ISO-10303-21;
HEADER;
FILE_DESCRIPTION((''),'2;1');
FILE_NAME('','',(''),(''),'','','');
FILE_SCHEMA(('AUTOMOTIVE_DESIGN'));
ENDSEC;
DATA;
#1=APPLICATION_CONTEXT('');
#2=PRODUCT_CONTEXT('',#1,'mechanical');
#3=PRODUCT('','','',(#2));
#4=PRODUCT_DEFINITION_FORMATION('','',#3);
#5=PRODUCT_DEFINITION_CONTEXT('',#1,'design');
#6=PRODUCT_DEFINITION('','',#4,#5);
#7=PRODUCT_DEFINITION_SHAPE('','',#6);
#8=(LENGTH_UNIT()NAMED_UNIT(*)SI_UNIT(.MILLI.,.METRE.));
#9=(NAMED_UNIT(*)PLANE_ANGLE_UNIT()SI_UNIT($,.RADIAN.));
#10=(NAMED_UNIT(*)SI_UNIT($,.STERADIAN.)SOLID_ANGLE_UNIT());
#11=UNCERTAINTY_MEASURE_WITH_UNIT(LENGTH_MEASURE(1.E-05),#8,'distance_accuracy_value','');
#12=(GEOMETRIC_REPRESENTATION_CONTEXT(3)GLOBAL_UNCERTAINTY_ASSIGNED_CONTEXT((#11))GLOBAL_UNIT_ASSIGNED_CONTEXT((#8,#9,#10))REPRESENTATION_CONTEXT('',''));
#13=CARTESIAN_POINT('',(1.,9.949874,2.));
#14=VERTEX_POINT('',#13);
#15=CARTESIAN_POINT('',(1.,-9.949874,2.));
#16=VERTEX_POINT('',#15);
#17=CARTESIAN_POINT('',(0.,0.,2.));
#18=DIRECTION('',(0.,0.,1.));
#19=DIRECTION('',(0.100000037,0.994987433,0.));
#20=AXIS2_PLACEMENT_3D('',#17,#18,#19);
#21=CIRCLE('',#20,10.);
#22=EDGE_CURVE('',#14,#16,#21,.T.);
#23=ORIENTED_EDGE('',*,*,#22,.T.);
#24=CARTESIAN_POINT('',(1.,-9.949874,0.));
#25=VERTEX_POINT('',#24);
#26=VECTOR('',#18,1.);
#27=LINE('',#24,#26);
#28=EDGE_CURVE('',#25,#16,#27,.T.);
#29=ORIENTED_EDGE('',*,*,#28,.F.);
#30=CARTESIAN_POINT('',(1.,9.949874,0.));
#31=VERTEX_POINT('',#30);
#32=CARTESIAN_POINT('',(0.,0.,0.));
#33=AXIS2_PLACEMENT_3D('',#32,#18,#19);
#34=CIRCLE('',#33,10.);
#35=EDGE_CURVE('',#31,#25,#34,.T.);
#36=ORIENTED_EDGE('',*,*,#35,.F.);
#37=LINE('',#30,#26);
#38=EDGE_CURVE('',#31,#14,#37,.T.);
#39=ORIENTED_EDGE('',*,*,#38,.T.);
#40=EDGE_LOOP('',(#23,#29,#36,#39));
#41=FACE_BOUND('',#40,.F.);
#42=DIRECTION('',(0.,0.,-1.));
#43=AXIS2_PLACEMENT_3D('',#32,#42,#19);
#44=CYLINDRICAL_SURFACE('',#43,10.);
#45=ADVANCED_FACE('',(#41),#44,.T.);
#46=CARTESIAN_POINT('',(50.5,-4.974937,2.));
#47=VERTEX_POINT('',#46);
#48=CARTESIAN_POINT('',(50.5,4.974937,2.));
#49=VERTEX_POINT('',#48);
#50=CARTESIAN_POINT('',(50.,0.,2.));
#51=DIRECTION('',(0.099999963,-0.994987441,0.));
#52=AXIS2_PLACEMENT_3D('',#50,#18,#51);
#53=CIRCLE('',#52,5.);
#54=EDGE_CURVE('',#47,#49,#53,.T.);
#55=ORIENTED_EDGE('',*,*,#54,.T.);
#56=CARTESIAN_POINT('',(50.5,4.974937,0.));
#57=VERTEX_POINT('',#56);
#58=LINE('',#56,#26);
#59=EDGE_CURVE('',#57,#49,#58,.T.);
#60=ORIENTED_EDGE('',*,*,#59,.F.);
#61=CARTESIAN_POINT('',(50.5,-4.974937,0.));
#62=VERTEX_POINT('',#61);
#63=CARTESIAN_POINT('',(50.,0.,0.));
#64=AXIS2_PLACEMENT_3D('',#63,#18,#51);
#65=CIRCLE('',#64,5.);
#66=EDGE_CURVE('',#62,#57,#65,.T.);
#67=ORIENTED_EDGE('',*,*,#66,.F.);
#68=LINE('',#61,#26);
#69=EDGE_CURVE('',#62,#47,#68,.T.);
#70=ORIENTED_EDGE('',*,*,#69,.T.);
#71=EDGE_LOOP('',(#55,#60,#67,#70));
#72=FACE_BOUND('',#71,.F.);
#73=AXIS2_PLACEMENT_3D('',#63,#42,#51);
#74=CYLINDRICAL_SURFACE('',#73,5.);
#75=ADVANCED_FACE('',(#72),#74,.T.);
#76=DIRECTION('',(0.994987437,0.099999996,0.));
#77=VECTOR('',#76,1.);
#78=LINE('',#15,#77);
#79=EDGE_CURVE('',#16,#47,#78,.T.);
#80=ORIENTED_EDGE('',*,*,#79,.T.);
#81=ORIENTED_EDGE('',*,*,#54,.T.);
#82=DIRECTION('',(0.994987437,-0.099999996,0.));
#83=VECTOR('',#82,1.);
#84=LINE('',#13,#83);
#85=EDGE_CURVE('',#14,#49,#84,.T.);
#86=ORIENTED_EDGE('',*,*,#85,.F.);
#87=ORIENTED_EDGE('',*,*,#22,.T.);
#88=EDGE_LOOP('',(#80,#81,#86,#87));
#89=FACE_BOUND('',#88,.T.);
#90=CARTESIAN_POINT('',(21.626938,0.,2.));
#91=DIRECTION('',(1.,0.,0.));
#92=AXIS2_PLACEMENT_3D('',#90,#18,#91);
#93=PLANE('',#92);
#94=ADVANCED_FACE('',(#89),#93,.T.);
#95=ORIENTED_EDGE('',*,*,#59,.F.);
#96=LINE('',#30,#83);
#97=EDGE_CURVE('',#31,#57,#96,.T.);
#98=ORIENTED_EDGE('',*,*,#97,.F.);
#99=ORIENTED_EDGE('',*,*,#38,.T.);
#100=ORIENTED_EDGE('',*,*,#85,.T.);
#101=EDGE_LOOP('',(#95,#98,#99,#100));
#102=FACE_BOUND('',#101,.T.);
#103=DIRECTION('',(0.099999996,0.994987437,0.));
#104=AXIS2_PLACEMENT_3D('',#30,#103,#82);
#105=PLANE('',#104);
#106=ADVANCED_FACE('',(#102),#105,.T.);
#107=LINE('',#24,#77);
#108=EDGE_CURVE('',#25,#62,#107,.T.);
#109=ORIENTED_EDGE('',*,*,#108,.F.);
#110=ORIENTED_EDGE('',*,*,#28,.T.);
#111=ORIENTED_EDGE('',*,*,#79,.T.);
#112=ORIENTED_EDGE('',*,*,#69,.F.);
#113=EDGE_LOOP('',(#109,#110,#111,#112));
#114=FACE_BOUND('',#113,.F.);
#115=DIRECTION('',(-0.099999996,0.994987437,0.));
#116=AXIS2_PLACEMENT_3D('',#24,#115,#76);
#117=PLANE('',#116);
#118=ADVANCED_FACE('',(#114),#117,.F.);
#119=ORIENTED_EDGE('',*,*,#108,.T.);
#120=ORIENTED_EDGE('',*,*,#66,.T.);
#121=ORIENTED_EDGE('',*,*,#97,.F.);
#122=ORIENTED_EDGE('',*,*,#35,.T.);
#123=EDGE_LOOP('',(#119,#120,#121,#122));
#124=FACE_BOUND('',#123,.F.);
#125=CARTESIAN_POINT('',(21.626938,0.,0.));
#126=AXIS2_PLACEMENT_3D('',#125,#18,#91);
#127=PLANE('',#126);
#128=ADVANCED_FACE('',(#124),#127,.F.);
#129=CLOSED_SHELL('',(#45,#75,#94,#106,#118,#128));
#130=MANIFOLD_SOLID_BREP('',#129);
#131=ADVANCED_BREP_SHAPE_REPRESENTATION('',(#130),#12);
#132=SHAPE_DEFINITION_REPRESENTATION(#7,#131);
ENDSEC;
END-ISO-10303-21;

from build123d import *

# Parameters (mm, degrees)
PAD_DEPTH = 2


with BuildPart() as part:
    # Sketch → Pad (new body)
    with BuildSketch(Plane.XY):
        with BuildLine():
            ThreePointArc((1, 9.949874), (-10, 0), (1, -9.949874))
            Line((1, -9.949874), (50.5, -4.974937))
            ThreePointArc((50.5, -4.974937), (55, 0), (50.5, 4.974937))
            Line((1, 9.949874), (50.5, 4.974937))
        make_face()
    extrude(amount=PAD_DEPTH)


solid = part.part
